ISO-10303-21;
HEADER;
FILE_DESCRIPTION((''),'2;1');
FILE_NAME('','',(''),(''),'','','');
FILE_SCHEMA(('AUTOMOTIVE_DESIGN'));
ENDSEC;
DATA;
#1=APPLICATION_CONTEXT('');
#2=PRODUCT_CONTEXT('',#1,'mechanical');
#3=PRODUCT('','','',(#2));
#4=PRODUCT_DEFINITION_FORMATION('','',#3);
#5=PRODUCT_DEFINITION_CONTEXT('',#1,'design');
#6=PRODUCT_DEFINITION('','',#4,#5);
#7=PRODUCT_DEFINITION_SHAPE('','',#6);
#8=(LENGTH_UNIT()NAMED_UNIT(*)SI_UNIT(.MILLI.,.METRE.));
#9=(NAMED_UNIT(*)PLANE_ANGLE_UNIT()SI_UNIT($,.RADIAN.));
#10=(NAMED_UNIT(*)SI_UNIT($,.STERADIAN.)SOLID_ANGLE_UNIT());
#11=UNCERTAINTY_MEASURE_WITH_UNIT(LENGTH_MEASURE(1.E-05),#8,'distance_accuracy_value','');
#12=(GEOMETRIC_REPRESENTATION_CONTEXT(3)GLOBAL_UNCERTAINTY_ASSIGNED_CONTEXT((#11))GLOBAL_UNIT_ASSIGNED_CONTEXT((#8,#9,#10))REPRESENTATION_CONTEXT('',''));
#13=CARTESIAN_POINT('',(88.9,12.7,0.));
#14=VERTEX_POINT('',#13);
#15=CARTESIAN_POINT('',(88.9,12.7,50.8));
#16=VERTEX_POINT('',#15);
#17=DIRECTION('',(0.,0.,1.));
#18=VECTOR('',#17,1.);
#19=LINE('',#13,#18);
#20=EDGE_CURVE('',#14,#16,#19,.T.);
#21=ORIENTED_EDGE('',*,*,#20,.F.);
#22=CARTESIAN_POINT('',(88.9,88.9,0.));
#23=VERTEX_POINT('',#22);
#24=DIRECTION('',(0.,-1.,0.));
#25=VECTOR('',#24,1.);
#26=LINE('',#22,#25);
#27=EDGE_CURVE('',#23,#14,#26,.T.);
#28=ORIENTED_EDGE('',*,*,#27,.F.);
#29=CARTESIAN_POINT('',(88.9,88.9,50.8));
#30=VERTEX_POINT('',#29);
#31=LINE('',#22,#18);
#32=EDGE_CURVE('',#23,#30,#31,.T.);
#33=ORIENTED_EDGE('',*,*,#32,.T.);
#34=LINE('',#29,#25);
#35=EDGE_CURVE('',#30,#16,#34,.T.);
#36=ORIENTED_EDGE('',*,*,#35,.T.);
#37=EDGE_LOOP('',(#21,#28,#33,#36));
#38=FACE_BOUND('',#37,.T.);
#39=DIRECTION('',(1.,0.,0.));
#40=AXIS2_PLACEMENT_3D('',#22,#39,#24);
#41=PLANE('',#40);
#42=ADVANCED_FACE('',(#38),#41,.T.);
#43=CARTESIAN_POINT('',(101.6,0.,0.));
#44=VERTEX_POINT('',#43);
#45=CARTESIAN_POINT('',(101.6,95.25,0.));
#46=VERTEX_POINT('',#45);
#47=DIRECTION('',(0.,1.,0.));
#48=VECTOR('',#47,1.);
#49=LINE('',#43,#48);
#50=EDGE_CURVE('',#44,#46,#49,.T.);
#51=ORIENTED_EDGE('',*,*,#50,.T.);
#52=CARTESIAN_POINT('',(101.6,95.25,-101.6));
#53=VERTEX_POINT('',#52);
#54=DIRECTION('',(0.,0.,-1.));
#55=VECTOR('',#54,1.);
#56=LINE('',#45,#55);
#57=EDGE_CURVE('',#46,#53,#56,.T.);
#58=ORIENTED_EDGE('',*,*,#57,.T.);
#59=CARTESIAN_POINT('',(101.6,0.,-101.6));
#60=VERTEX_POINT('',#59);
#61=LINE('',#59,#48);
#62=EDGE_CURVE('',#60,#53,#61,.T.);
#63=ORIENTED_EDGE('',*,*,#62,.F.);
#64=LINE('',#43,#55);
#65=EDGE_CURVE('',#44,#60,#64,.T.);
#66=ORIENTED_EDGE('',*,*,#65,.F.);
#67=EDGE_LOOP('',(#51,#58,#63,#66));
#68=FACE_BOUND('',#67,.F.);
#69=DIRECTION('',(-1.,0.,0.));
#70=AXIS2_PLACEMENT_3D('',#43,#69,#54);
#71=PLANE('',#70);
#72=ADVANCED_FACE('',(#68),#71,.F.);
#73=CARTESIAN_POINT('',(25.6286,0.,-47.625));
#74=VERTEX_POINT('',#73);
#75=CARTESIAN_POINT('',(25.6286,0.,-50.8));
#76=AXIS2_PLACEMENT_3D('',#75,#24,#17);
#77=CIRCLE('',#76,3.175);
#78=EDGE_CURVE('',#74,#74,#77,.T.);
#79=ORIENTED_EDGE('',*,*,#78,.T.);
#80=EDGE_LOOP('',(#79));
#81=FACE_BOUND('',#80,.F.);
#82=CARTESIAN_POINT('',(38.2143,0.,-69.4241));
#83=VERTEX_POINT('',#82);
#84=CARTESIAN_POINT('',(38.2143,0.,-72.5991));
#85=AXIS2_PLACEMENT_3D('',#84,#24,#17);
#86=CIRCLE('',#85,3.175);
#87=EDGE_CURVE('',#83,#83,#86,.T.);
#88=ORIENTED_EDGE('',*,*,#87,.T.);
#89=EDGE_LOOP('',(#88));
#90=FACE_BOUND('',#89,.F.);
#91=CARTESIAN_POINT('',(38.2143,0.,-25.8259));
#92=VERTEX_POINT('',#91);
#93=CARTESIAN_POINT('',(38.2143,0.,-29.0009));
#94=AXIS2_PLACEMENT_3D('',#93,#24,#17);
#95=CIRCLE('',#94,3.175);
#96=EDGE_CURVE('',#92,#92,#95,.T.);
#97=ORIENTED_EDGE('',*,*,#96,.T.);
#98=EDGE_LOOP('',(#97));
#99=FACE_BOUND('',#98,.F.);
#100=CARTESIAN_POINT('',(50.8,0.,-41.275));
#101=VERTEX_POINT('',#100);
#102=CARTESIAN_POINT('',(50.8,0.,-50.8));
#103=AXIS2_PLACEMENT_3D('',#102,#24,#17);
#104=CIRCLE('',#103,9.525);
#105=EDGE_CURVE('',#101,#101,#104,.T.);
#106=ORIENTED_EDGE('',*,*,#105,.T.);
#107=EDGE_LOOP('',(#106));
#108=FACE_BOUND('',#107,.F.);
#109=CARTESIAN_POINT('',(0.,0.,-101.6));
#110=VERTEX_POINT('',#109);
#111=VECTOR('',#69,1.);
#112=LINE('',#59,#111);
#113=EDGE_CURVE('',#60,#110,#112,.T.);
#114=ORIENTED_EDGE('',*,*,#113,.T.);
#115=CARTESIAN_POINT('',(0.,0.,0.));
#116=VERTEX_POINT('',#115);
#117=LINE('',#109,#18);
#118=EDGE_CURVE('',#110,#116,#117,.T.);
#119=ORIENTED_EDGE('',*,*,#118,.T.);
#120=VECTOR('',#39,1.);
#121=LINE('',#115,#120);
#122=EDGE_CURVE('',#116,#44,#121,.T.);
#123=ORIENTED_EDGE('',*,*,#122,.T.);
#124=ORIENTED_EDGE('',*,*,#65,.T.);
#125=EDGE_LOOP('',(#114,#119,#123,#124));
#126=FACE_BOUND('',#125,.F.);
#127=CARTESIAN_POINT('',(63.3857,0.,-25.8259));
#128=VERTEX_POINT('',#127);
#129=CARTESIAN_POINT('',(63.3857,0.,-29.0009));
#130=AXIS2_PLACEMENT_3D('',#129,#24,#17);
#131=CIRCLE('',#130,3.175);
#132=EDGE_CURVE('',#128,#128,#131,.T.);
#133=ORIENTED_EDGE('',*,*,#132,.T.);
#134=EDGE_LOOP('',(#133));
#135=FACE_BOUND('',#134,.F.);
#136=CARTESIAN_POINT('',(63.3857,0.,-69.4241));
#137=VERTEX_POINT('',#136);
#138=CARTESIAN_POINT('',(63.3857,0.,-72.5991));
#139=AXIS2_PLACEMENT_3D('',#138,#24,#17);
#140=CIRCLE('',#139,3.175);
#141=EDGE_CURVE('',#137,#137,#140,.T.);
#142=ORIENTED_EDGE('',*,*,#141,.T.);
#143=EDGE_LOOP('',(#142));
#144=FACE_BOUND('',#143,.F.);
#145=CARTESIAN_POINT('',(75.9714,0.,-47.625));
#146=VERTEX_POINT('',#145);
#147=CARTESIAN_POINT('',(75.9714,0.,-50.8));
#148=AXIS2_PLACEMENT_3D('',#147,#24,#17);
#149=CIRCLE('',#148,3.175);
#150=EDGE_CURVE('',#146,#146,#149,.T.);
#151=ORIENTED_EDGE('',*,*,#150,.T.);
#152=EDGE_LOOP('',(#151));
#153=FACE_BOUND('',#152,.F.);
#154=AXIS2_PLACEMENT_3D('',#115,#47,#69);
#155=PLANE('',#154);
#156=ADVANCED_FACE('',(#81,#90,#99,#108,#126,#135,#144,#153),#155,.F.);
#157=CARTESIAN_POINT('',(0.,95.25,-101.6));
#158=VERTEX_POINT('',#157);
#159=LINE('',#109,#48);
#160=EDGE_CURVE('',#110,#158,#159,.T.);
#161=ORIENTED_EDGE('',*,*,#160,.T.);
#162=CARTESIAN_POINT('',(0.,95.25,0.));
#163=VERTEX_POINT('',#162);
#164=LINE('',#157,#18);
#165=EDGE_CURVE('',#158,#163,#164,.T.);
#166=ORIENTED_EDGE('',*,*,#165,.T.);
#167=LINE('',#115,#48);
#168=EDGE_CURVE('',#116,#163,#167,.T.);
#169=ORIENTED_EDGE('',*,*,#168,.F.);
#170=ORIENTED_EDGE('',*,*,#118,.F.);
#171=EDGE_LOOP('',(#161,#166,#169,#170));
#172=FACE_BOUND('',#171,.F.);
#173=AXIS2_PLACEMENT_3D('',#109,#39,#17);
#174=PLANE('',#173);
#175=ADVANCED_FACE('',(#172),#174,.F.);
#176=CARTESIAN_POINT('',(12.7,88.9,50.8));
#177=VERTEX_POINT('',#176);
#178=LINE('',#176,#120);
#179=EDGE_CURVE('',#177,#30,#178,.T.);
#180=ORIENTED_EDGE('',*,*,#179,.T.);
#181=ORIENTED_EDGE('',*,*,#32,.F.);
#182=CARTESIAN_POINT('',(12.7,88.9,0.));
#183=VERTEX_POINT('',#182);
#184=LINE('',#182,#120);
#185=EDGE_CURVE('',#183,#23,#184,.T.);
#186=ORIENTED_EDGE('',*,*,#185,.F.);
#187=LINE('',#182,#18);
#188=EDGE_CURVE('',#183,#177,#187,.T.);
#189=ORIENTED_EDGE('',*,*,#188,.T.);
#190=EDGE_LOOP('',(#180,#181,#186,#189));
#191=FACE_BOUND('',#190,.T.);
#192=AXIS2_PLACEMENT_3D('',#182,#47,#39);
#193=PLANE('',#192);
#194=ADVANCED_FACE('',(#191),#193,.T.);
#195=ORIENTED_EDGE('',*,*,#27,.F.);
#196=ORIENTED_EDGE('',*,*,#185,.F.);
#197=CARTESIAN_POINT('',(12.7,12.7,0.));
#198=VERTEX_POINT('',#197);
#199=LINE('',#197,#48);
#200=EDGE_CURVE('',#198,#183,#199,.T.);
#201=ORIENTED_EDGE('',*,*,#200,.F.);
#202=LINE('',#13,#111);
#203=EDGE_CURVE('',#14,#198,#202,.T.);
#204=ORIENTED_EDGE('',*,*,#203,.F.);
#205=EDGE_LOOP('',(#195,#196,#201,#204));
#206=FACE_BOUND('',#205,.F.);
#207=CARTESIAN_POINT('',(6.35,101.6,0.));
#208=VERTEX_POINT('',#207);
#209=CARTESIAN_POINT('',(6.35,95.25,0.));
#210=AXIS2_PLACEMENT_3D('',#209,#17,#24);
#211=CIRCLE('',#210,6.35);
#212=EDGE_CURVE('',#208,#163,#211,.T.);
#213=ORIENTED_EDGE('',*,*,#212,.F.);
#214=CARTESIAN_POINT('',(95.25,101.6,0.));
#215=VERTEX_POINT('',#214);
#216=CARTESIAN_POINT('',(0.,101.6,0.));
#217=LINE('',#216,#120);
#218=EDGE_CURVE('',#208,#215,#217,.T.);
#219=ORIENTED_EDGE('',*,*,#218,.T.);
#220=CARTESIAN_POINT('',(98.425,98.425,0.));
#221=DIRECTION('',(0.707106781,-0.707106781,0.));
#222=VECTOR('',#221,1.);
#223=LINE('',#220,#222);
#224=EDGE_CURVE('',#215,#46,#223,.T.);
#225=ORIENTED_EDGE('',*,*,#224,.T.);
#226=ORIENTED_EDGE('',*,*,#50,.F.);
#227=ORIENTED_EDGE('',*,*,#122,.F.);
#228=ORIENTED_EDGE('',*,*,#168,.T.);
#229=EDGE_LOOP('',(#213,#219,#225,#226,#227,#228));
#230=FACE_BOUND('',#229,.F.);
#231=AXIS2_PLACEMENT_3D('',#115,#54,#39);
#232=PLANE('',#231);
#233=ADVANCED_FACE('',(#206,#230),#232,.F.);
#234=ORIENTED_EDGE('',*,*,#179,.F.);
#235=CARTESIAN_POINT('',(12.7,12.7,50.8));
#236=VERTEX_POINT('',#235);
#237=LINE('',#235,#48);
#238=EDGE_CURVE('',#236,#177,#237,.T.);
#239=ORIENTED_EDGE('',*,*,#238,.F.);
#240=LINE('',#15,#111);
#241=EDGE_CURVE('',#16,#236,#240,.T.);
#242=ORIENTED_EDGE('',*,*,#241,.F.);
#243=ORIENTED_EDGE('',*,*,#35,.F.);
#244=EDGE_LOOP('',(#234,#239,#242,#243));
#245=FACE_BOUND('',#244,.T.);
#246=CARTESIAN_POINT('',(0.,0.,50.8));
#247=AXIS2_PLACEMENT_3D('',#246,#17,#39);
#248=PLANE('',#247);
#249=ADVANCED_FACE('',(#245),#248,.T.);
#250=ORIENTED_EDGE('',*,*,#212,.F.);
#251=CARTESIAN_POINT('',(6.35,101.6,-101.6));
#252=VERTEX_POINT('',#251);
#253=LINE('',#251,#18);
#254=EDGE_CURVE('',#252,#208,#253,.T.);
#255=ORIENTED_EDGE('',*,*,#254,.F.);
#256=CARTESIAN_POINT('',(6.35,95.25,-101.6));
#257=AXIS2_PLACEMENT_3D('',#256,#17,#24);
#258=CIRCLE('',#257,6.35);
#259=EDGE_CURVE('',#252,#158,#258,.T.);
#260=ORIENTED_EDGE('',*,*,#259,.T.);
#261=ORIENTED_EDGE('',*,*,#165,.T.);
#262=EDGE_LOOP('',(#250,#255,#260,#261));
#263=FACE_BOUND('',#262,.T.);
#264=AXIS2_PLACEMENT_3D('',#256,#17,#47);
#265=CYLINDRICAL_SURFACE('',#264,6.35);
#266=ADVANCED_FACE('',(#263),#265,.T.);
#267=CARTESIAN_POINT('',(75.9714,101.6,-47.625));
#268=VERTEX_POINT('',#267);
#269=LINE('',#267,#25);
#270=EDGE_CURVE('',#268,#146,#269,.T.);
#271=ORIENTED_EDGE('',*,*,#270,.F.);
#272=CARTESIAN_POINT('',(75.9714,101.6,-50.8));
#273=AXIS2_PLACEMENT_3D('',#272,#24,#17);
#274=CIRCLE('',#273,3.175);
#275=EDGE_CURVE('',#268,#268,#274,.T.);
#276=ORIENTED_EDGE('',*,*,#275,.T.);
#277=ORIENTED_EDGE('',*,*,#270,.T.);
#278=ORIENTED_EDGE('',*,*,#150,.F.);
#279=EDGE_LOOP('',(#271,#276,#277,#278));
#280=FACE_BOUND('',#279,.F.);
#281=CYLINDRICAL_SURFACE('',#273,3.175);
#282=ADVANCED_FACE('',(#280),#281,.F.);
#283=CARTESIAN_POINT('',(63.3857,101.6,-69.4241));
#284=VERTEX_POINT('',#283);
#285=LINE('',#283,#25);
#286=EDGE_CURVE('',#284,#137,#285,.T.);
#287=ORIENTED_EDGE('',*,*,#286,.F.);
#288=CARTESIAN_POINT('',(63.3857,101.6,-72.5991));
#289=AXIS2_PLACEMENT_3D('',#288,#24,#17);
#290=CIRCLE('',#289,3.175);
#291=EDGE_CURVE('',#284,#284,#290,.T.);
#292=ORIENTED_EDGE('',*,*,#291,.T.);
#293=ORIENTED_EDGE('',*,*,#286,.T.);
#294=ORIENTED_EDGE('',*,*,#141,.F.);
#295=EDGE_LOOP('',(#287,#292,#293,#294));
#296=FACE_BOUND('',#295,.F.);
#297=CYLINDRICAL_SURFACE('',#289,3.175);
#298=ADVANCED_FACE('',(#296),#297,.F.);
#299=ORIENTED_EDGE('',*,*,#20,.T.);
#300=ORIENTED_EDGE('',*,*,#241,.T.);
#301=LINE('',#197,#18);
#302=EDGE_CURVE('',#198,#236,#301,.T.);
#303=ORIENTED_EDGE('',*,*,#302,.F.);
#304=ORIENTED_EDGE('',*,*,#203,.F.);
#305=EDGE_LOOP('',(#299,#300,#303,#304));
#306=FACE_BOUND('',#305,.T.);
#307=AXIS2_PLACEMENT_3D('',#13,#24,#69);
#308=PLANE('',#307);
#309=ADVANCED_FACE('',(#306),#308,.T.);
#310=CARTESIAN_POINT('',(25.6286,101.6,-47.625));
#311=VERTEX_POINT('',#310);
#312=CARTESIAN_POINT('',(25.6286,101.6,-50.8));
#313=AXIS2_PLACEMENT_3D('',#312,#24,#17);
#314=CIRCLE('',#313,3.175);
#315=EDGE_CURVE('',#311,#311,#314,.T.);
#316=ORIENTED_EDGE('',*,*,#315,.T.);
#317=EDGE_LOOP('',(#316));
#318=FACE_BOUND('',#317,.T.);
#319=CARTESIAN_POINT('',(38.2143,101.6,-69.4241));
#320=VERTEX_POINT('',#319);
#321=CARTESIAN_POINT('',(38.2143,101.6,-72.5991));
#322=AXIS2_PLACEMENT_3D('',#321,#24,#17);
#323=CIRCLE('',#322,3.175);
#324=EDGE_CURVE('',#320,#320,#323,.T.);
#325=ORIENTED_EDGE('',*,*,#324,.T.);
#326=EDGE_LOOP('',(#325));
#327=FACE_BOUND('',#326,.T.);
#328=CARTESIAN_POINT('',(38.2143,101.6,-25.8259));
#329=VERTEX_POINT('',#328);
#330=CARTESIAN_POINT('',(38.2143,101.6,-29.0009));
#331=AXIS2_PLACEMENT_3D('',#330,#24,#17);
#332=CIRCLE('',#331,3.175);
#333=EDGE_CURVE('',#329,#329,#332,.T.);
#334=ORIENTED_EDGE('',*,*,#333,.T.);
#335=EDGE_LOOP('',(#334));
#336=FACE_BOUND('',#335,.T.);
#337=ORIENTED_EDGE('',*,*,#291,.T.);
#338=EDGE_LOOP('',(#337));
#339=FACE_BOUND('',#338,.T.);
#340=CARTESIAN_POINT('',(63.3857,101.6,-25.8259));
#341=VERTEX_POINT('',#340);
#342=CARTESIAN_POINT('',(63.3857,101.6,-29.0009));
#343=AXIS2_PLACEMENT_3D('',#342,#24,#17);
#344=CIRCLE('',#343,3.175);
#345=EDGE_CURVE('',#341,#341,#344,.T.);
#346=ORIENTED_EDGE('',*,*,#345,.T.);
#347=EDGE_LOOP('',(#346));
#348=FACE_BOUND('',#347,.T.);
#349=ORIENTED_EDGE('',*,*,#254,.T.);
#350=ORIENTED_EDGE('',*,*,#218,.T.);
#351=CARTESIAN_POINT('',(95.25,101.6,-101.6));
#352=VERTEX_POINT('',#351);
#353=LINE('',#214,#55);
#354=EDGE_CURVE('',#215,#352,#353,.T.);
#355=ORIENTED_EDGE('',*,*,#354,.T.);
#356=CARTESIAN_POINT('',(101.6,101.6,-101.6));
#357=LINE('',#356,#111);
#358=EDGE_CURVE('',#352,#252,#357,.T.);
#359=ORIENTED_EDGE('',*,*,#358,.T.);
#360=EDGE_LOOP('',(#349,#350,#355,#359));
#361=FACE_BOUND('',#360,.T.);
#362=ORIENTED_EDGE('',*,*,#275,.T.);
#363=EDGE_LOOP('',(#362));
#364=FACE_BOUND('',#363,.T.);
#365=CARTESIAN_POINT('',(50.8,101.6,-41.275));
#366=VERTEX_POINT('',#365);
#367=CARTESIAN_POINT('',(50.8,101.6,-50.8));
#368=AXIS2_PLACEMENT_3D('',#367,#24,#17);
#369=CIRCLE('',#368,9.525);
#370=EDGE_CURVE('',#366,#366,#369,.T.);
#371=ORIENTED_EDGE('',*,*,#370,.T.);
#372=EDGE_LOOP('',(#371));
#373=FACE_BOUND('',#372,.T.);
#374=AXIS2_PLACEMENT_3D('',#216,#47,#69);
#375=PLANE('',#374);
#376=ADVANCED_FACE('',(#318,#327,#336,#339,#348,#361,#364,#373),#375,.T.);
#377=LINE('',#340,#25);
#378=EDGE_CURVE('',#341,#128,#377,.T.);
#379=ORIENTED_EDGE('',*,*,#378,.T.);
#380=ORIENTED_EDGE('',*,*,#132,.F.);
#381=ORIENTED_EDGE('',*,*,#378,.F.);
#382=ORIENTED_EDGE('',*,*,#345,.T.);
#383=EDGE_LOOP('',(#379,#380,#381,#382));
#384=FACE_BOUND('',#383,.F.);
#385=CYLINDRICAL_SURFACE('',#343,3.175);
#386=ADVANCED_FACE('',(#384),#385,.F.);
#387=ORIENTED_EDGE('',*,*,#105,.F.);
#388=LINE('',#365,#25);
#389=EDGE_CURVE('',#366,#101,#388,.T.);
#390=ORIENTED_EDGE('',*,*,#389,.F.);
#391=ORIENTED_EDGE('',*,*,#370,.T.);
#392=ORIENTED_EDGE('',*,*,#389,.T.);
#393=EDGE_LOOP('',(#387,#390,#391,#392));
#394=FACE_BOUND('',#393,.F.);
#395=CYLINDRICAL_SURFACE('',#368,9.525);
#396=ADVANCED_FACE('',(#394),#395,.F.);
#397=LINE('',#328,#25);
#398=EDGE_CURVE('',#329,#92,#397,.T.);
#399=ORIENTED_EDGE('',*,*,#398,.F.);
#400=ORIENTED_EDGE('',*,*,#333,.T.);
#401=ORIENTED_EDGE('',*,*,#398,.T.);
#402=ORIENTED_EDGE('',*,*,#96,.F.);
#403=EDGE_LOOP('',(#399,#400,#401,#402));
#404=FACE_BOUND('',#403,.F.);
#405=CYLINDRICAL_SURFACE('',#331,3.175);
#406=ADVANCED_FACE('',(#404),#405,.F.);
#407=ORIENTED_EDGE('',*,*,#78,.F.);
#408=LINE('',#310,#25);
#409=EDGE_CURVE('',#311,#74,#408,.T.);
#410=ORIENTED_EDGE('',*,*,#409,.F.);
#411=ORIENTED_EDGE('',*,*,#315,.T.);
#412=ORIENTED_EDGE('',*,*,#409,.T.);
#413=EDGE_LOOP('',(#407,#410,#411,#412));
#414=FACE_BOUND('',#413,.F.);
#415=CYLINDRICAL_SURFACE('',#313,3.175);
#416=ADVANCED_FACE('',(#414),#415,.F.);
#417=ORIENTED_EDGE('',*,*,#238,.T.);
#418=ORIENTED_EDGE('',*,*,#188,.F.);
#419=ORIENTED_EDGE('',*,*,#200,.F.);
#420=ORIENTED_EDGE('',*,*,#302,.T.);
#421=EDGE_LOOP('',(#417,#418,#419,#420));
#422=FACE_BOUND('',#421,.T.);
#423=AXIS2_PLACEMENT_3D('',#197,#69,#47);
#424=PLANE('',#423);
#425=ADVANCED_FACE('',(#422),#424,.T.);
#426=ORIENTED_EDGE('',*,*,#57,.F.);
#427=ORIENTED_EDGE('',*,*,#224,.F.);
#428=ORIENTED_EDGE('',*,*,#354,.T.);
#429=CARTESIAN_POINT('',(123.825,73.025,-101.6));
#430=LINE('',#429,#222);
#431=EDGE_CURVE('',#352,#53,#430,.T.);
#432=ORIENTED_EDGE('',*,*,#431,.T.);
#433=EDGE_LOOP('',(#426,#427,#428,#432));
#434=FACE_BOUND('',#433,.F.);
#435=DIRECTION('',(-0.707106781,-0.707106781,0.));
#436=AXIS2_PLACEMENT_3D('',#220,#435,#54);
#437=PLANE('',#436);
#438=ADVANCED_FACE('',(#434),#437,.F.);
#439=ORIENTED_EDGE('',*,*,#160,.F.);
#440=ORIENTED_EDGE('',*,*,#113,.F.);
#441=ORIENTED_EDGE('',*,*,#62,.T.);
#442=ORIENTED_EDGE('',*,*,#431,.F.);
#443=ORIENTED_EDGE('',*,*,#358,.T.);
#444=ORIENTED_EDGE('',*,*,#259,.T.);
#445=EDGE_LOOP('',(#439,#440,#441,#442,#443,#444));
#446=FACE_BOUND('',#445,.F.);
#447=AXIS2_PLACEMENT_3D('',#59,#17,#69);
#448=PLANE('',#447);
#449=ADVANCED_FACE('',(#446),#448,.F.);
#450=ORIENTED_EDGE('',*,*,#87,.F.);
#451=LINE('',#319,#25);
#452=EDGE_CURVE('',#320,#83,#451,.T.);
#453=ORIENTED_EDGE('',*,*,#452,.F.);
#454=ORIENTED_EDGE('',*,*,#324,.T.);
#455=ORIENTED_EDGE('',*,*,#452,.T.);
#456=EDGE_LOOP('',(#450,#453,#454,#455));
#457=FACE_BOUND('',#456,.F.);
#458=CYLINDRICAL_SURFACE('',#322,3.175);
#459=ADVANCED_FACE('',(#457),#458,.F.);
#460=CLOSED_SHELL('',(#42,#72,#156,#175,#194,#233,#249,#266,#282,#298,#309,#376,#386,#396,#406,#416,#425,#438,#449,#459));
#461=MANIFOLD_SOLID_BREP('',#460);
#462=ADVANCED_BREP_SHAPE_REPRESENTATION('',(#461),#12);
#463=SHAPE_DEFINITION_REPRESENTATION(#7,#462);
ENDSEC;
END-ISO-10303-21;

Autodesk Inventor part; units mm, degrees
ref_plane "YZ Plane" through (0, 0, 0) normal (1, 0, 0) x (0, 1, 0)
ref_plane "XZ Plane" through (0, 0, 0) normal (0, 1, 0) x (-1, 0, 0)
ref_plane "XY Plane" through (0, 0, 0) normal (0, 0, 1) x (1, 0, 0)
sketch "Sketch1" plane through (0, 0, 0) normal (0, 1, 0) x (-1, 0, 0)
  line L0 (0, 0) -> (-101.6, 0)
  line L1 (-101.6, 0) -> (-101.6, -101.6)
  line L2 (-101.6, -101.6) -> (0, -101.6)
  line L3 (0, -101.6) -> (0, 0)
  dimension "d1" = 101.6
  dimension "d2" = 101.6
extrude "Extrusion1" add sketch "Sketch1" along normal blind 101.6
sketch "Sketch2" plane through (0, 101.6, 0) normal (0, 1, 0) x (1, 0, 0)
  point P0 (0, 0)
  point P1 (50.8, 50.8)
hole "Hole1" at (50.8, 101.6, -50.8) direction (0, -1, 0) diameter 19.05 end through all
sketch "Sketch3" plane through (0, 101.6, 0) normal (0, 1, 0) x (1, 0, 0)
  point P0 (0, 0)
  point P1 (25.6286, 50.8)
  point P2 (50.8, 50.8)
  point P3 (38.2143, 29.0009)
  point P4 (63.3857, 29.0009)
  point P5 (75.9714, 50.8)
  point P6 (63.3857, 72.5991)
  point P7 (38.2143, 72.5991)
  dimension "d17" = 360
hole "Hole2" at (25.6286, 101.6, -50.8) at (50.8, 101.6, -50.8) at (38.2143, 101.6, -29.0009) at (63.3857, 101.6, -29.0009) at (75.9714, 101.6, -50.8) at (63.3857, 101.6, -72.5991) at (38.2143, 101.6, -72.5991) direction (0, -1, 0) diameter 6.35 end through all
chamfer "Chamfer1" distance 6.35 angle 45 1 edges at (101.6, 101.6, -50.8)
fillet "Fillet1" radius 6.35 1 edges at (0, 101.6, -50.8)
sketch "Sketch4" plane through (0, 0, 0) normal (0, 0, 1) x (1, 0, 0)
  line L0 (12.7, 88.9) -> (88.9, 88.9)
  line L1 (88.9, 88.9) -> (88.9, 12.7)
  line L2 (88.9, 12.7) -> (12.7, 12.7)
  line L3 (12.7, 12.7) -> (12.7, 88.9)
  line L4 (12.7, 88.9) -> (88.9, 12.7) construction
  line L5 (88.9, 88.9) -> (12.7, 12.7) construction
  point P0 (0, 0)
  point P1 (50.8, 50.8)
  dimension "d30" = 76.2
  dimension "d31" = 76.2
extrude "Extrusion3" add sketch "Sketch4" along normal blind 50.8
properties part number "PracticeCube"
